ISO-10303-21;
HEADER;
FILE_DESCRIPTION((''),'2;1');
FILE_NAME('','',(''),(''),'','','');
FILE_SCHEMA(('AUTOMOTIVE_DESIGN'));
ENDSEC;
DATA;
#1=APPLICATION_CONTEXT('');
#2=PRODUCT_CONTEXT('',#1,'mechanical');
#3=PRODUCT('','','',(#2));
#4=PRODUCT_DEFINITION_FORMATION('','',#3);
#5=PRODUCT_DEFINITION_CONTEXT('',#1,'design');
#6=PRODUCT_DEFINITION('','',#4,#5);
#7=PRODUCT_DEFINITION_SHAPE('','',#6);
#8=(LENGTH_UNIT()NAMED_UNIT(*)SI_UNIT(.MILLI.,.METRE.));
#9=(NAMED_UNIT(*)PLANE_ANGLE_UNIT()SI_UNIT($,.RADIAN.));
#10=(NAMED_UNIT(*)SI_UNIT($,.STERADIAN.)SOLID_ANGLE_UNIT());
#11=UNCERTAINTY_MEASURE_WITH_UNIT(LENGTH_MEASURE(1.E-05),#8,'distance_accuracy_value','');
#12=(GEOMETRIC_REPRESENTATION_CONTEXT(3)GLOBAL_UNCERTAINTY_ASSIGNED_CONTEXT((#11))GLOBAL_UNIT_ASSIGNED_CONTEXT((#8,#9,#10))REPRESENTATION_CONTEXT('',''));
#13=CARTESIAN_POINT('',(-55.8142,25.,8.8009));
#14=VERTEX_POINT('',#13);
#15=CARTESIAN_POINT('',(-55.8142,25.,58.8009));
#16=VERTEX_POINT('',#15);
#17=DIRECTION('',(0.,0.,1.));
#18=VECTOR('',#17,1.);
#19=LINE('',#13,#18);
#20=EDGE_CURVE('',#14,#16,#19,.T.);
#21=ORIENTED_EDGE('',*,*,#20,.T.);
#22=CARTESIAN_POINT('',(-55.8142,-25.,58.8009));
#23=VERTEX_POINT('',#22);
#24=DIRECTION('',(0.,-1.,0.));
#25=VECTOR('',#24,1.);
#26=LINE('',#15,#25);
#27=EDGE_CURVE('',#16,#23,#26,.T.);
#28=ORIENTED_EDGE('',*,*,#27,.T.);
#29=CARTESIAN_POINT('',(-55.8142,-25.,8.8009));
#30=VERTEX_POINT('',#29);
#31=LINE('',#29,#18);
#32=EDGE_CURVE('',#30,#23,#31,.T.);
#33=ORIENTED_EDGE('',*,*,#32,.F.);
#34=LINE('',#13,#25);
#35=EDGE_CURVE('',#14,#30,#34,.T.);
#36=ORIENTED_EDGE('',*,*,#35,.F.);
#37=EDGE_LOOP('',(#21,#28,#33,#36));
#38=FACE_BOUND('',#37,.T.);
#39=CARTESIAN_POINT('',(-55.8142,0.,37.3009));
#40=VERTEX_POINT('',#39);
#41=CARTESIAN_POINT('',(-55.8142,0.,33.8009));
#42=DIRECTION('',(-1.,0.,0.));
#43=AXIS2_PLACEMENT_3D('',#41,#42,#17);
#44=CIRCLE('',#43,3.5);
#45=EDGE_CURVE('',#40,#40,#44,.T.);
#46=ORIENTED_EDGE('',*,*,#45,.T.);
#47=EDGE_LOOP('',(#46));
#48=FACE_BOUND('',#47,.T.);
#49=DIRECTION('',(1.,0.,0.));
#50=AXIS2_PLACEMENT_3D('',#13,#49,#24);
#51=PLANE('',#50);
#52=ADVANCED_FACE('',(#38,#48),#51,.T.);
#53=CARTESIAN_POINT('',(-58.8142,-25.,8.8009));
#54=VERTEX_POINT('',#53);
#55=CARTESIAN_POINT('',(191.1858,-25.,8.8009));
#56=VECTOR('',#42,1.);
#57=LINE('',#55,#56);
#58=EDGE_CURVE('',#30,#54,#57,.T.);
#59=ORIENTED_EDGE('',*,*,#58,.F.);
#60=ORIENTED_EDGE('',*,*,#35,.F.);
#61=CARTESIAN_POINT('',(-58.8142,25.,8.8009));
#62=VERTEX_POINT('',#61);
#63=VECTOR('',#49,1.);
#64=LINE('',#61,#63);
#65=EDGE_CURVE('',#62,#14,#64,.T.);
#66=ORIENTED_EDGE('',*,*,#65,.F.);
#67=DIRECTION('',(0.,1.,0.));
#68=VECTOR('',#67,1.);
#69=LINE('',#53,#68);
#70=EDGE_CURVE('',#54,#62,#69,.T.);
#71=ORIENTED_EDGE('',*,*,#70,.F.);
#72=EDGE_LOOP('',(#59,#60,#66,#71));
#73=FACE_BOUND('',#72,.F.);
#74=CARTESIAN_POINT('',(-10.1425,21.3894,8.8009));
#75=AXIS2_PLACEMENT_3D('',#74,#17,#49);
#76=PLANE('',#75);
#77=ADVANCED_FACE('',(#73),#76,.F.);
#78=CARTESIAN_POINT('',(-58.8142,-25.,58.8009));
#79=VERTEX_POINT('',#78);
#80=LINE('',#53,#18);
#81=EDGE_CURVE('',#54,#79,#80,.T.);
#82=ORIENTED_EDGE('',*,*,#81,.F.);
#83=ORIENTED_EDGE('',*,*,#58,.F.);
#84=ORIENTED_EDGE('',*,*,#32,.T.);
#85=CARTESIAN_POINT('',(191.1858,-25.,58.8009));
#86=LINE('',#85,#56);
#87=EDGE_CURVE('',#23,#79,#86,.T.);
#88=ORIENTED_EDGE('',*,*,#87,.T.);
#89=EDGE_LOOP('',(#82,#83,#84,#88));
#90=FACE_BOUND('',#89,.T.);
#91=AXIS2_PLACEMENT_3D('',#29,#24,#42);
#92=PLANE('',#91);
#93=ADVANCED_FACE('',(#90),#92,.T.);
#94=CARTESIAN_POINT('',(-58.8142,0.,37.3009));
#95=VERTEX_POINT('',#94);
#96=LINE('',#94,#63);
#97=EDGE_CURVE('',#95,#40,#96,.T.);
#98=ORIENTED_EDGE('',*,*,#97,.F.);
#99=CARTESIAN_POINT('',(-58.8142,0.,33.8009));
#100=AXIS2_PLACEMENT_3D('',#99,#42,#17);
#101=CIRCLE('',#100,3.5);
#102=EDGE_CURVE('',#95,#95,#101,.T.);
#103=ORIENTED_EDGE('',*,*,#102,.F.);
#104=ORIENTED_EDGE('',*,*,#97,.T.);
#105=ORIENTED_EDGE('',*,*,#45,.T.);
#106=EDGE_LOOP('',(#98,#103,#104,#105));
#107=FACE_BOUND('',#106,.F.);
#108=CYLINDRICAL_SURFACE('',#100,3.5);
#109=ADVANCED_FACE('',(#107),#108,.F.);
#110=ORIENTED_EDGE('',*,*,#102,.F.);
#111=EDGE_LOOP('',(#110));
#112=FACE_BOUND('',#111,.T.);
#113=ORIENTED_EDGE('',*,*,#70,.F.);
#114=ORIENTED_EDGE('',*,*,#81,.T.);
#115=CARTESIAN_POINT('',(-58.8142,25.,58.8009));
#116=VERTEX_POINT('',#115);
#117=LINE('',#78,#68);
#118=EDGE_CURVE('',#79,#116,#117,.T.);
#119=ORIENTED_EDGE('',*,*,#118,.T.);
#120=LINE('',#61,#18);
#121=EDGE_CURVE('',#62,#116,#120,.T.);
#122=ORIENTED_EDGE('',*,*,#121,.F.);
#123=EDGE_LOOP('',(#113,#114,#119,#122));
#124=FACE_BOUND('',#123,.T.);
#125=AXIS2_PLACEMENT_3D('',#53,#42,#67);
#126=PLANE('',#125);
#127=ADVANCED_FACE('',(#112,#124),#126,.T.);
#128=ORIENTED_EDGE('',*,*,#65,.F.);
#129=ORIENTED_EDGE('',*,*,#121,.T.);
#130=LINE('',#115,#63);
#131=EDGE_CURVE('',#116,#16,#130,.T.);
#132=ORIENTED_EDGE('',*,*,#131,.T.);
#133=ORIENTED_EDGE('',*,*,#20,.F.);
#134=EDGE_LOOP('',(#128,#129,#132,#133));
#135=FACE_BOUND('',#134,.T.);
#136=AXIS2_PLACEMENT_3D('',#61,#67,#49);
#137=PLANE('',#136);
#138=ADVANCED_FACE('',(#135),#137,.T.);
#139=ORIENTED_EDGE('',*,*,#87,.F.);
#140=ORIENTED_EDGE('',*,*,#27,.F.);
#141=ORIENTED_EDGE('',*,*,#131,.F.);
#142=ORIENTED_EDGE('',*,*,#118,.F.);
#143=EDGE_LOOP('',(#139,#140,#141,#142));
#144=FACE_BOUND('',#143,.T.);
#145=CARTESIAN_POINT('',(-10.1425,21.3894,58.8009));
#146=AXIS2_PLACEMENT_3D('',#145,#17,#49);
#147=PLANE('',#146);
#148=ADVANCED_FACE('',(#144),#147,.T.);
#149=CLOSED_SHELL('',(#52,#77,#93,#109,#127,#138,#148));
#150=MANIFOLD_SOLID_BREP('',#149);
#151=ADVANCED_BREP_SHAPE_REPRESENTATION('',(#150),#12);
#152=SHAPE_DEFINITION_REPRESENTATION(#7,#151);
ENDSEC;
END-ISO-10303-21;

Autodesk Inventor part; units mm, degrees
ref_plane "YZ Plane" through (0, 0, 0) normal (1, 0, 0) x (0, 1, 0)
ref_plane "XZ Plane" through (0, 0, 0) normal (0, 1, 0) x (-1, 0, 0)
ref_plane "XY Plane" through (0, 0, 0) normal (0, 0, 1) x (1, 0, 0)
ref_plane "Work Plane1" through (-10.1425, 21.3894, 8.8009) normal (0, 0, 1) x (1, 0, 0)
sketch "Sketch1" plane through (-10.1425, 21.3894, 8.8009) normal (0, 0, 1) x (1, 0, 0)
  line L0 (-48.6717, 3.6106) -> (201.3283, 3.6106) projected
  line L1 (-48.6717, -46.3894) -> (-48.6717, 3.6106) projected
  line L2 (201.3283, -46.3894) -> (-48.6717, -46.3894) projected
  line L3 (201.3283, 3.6106) -> (201.3283, -46.3894) projected
  circle A0 centre (172.519, -38.8894) radius 1.5 projected
  circle A1 centre (172.519, -3.8894) radius 1.5 projected
  circle A2 centre (195.2663, -38.8894) radius 1.5 projected
  circle A3 centre (195.2663, -3.8894) radius 1.5 projected
  line L4 (-48.6717, 3.6106) -> (-45.6717, 3.6106)
  line L5 (-45.6717, 3.6106) -> (-45.6717, -46.3894)
  line L6 (-45.6717, -46.3894) -> (-48.6717, -46.3894)
  line L7 (-48.6717, -46.3894) -> (-48.6717, 3.6106)
  point P0 (10.1425, -21.3894)
  point P1 (-45.6717, 3.6106)
  dimension "d0" = 3
extrude "Extrusion1" add sketch "Sketch1" along normal blind 50 contours L0 L5 L2 L1
sketch "Sketch2" plane through (-58.8142, -25, 8.8009) normal (-1, 0, 0) x (0, 0, 1)
  line L0 (0, 50) -> (0, 0) projected
  line L1 (0, 0) -> (50, 0) projected
  line L2 (50, 50) -> (50, 0) projected
  line L3 (0, 50) -> (50, 50) projected
  circle A0 centre (25, 25) radius 3.5
  point P0 (-8.8009, 25)
  dimension "d3" = 7
extrude "Extrusion2" cut sketch "Sketch2" against normal through all contours A0
properties part number "arm2" material "Polycarbonate, Clear"
